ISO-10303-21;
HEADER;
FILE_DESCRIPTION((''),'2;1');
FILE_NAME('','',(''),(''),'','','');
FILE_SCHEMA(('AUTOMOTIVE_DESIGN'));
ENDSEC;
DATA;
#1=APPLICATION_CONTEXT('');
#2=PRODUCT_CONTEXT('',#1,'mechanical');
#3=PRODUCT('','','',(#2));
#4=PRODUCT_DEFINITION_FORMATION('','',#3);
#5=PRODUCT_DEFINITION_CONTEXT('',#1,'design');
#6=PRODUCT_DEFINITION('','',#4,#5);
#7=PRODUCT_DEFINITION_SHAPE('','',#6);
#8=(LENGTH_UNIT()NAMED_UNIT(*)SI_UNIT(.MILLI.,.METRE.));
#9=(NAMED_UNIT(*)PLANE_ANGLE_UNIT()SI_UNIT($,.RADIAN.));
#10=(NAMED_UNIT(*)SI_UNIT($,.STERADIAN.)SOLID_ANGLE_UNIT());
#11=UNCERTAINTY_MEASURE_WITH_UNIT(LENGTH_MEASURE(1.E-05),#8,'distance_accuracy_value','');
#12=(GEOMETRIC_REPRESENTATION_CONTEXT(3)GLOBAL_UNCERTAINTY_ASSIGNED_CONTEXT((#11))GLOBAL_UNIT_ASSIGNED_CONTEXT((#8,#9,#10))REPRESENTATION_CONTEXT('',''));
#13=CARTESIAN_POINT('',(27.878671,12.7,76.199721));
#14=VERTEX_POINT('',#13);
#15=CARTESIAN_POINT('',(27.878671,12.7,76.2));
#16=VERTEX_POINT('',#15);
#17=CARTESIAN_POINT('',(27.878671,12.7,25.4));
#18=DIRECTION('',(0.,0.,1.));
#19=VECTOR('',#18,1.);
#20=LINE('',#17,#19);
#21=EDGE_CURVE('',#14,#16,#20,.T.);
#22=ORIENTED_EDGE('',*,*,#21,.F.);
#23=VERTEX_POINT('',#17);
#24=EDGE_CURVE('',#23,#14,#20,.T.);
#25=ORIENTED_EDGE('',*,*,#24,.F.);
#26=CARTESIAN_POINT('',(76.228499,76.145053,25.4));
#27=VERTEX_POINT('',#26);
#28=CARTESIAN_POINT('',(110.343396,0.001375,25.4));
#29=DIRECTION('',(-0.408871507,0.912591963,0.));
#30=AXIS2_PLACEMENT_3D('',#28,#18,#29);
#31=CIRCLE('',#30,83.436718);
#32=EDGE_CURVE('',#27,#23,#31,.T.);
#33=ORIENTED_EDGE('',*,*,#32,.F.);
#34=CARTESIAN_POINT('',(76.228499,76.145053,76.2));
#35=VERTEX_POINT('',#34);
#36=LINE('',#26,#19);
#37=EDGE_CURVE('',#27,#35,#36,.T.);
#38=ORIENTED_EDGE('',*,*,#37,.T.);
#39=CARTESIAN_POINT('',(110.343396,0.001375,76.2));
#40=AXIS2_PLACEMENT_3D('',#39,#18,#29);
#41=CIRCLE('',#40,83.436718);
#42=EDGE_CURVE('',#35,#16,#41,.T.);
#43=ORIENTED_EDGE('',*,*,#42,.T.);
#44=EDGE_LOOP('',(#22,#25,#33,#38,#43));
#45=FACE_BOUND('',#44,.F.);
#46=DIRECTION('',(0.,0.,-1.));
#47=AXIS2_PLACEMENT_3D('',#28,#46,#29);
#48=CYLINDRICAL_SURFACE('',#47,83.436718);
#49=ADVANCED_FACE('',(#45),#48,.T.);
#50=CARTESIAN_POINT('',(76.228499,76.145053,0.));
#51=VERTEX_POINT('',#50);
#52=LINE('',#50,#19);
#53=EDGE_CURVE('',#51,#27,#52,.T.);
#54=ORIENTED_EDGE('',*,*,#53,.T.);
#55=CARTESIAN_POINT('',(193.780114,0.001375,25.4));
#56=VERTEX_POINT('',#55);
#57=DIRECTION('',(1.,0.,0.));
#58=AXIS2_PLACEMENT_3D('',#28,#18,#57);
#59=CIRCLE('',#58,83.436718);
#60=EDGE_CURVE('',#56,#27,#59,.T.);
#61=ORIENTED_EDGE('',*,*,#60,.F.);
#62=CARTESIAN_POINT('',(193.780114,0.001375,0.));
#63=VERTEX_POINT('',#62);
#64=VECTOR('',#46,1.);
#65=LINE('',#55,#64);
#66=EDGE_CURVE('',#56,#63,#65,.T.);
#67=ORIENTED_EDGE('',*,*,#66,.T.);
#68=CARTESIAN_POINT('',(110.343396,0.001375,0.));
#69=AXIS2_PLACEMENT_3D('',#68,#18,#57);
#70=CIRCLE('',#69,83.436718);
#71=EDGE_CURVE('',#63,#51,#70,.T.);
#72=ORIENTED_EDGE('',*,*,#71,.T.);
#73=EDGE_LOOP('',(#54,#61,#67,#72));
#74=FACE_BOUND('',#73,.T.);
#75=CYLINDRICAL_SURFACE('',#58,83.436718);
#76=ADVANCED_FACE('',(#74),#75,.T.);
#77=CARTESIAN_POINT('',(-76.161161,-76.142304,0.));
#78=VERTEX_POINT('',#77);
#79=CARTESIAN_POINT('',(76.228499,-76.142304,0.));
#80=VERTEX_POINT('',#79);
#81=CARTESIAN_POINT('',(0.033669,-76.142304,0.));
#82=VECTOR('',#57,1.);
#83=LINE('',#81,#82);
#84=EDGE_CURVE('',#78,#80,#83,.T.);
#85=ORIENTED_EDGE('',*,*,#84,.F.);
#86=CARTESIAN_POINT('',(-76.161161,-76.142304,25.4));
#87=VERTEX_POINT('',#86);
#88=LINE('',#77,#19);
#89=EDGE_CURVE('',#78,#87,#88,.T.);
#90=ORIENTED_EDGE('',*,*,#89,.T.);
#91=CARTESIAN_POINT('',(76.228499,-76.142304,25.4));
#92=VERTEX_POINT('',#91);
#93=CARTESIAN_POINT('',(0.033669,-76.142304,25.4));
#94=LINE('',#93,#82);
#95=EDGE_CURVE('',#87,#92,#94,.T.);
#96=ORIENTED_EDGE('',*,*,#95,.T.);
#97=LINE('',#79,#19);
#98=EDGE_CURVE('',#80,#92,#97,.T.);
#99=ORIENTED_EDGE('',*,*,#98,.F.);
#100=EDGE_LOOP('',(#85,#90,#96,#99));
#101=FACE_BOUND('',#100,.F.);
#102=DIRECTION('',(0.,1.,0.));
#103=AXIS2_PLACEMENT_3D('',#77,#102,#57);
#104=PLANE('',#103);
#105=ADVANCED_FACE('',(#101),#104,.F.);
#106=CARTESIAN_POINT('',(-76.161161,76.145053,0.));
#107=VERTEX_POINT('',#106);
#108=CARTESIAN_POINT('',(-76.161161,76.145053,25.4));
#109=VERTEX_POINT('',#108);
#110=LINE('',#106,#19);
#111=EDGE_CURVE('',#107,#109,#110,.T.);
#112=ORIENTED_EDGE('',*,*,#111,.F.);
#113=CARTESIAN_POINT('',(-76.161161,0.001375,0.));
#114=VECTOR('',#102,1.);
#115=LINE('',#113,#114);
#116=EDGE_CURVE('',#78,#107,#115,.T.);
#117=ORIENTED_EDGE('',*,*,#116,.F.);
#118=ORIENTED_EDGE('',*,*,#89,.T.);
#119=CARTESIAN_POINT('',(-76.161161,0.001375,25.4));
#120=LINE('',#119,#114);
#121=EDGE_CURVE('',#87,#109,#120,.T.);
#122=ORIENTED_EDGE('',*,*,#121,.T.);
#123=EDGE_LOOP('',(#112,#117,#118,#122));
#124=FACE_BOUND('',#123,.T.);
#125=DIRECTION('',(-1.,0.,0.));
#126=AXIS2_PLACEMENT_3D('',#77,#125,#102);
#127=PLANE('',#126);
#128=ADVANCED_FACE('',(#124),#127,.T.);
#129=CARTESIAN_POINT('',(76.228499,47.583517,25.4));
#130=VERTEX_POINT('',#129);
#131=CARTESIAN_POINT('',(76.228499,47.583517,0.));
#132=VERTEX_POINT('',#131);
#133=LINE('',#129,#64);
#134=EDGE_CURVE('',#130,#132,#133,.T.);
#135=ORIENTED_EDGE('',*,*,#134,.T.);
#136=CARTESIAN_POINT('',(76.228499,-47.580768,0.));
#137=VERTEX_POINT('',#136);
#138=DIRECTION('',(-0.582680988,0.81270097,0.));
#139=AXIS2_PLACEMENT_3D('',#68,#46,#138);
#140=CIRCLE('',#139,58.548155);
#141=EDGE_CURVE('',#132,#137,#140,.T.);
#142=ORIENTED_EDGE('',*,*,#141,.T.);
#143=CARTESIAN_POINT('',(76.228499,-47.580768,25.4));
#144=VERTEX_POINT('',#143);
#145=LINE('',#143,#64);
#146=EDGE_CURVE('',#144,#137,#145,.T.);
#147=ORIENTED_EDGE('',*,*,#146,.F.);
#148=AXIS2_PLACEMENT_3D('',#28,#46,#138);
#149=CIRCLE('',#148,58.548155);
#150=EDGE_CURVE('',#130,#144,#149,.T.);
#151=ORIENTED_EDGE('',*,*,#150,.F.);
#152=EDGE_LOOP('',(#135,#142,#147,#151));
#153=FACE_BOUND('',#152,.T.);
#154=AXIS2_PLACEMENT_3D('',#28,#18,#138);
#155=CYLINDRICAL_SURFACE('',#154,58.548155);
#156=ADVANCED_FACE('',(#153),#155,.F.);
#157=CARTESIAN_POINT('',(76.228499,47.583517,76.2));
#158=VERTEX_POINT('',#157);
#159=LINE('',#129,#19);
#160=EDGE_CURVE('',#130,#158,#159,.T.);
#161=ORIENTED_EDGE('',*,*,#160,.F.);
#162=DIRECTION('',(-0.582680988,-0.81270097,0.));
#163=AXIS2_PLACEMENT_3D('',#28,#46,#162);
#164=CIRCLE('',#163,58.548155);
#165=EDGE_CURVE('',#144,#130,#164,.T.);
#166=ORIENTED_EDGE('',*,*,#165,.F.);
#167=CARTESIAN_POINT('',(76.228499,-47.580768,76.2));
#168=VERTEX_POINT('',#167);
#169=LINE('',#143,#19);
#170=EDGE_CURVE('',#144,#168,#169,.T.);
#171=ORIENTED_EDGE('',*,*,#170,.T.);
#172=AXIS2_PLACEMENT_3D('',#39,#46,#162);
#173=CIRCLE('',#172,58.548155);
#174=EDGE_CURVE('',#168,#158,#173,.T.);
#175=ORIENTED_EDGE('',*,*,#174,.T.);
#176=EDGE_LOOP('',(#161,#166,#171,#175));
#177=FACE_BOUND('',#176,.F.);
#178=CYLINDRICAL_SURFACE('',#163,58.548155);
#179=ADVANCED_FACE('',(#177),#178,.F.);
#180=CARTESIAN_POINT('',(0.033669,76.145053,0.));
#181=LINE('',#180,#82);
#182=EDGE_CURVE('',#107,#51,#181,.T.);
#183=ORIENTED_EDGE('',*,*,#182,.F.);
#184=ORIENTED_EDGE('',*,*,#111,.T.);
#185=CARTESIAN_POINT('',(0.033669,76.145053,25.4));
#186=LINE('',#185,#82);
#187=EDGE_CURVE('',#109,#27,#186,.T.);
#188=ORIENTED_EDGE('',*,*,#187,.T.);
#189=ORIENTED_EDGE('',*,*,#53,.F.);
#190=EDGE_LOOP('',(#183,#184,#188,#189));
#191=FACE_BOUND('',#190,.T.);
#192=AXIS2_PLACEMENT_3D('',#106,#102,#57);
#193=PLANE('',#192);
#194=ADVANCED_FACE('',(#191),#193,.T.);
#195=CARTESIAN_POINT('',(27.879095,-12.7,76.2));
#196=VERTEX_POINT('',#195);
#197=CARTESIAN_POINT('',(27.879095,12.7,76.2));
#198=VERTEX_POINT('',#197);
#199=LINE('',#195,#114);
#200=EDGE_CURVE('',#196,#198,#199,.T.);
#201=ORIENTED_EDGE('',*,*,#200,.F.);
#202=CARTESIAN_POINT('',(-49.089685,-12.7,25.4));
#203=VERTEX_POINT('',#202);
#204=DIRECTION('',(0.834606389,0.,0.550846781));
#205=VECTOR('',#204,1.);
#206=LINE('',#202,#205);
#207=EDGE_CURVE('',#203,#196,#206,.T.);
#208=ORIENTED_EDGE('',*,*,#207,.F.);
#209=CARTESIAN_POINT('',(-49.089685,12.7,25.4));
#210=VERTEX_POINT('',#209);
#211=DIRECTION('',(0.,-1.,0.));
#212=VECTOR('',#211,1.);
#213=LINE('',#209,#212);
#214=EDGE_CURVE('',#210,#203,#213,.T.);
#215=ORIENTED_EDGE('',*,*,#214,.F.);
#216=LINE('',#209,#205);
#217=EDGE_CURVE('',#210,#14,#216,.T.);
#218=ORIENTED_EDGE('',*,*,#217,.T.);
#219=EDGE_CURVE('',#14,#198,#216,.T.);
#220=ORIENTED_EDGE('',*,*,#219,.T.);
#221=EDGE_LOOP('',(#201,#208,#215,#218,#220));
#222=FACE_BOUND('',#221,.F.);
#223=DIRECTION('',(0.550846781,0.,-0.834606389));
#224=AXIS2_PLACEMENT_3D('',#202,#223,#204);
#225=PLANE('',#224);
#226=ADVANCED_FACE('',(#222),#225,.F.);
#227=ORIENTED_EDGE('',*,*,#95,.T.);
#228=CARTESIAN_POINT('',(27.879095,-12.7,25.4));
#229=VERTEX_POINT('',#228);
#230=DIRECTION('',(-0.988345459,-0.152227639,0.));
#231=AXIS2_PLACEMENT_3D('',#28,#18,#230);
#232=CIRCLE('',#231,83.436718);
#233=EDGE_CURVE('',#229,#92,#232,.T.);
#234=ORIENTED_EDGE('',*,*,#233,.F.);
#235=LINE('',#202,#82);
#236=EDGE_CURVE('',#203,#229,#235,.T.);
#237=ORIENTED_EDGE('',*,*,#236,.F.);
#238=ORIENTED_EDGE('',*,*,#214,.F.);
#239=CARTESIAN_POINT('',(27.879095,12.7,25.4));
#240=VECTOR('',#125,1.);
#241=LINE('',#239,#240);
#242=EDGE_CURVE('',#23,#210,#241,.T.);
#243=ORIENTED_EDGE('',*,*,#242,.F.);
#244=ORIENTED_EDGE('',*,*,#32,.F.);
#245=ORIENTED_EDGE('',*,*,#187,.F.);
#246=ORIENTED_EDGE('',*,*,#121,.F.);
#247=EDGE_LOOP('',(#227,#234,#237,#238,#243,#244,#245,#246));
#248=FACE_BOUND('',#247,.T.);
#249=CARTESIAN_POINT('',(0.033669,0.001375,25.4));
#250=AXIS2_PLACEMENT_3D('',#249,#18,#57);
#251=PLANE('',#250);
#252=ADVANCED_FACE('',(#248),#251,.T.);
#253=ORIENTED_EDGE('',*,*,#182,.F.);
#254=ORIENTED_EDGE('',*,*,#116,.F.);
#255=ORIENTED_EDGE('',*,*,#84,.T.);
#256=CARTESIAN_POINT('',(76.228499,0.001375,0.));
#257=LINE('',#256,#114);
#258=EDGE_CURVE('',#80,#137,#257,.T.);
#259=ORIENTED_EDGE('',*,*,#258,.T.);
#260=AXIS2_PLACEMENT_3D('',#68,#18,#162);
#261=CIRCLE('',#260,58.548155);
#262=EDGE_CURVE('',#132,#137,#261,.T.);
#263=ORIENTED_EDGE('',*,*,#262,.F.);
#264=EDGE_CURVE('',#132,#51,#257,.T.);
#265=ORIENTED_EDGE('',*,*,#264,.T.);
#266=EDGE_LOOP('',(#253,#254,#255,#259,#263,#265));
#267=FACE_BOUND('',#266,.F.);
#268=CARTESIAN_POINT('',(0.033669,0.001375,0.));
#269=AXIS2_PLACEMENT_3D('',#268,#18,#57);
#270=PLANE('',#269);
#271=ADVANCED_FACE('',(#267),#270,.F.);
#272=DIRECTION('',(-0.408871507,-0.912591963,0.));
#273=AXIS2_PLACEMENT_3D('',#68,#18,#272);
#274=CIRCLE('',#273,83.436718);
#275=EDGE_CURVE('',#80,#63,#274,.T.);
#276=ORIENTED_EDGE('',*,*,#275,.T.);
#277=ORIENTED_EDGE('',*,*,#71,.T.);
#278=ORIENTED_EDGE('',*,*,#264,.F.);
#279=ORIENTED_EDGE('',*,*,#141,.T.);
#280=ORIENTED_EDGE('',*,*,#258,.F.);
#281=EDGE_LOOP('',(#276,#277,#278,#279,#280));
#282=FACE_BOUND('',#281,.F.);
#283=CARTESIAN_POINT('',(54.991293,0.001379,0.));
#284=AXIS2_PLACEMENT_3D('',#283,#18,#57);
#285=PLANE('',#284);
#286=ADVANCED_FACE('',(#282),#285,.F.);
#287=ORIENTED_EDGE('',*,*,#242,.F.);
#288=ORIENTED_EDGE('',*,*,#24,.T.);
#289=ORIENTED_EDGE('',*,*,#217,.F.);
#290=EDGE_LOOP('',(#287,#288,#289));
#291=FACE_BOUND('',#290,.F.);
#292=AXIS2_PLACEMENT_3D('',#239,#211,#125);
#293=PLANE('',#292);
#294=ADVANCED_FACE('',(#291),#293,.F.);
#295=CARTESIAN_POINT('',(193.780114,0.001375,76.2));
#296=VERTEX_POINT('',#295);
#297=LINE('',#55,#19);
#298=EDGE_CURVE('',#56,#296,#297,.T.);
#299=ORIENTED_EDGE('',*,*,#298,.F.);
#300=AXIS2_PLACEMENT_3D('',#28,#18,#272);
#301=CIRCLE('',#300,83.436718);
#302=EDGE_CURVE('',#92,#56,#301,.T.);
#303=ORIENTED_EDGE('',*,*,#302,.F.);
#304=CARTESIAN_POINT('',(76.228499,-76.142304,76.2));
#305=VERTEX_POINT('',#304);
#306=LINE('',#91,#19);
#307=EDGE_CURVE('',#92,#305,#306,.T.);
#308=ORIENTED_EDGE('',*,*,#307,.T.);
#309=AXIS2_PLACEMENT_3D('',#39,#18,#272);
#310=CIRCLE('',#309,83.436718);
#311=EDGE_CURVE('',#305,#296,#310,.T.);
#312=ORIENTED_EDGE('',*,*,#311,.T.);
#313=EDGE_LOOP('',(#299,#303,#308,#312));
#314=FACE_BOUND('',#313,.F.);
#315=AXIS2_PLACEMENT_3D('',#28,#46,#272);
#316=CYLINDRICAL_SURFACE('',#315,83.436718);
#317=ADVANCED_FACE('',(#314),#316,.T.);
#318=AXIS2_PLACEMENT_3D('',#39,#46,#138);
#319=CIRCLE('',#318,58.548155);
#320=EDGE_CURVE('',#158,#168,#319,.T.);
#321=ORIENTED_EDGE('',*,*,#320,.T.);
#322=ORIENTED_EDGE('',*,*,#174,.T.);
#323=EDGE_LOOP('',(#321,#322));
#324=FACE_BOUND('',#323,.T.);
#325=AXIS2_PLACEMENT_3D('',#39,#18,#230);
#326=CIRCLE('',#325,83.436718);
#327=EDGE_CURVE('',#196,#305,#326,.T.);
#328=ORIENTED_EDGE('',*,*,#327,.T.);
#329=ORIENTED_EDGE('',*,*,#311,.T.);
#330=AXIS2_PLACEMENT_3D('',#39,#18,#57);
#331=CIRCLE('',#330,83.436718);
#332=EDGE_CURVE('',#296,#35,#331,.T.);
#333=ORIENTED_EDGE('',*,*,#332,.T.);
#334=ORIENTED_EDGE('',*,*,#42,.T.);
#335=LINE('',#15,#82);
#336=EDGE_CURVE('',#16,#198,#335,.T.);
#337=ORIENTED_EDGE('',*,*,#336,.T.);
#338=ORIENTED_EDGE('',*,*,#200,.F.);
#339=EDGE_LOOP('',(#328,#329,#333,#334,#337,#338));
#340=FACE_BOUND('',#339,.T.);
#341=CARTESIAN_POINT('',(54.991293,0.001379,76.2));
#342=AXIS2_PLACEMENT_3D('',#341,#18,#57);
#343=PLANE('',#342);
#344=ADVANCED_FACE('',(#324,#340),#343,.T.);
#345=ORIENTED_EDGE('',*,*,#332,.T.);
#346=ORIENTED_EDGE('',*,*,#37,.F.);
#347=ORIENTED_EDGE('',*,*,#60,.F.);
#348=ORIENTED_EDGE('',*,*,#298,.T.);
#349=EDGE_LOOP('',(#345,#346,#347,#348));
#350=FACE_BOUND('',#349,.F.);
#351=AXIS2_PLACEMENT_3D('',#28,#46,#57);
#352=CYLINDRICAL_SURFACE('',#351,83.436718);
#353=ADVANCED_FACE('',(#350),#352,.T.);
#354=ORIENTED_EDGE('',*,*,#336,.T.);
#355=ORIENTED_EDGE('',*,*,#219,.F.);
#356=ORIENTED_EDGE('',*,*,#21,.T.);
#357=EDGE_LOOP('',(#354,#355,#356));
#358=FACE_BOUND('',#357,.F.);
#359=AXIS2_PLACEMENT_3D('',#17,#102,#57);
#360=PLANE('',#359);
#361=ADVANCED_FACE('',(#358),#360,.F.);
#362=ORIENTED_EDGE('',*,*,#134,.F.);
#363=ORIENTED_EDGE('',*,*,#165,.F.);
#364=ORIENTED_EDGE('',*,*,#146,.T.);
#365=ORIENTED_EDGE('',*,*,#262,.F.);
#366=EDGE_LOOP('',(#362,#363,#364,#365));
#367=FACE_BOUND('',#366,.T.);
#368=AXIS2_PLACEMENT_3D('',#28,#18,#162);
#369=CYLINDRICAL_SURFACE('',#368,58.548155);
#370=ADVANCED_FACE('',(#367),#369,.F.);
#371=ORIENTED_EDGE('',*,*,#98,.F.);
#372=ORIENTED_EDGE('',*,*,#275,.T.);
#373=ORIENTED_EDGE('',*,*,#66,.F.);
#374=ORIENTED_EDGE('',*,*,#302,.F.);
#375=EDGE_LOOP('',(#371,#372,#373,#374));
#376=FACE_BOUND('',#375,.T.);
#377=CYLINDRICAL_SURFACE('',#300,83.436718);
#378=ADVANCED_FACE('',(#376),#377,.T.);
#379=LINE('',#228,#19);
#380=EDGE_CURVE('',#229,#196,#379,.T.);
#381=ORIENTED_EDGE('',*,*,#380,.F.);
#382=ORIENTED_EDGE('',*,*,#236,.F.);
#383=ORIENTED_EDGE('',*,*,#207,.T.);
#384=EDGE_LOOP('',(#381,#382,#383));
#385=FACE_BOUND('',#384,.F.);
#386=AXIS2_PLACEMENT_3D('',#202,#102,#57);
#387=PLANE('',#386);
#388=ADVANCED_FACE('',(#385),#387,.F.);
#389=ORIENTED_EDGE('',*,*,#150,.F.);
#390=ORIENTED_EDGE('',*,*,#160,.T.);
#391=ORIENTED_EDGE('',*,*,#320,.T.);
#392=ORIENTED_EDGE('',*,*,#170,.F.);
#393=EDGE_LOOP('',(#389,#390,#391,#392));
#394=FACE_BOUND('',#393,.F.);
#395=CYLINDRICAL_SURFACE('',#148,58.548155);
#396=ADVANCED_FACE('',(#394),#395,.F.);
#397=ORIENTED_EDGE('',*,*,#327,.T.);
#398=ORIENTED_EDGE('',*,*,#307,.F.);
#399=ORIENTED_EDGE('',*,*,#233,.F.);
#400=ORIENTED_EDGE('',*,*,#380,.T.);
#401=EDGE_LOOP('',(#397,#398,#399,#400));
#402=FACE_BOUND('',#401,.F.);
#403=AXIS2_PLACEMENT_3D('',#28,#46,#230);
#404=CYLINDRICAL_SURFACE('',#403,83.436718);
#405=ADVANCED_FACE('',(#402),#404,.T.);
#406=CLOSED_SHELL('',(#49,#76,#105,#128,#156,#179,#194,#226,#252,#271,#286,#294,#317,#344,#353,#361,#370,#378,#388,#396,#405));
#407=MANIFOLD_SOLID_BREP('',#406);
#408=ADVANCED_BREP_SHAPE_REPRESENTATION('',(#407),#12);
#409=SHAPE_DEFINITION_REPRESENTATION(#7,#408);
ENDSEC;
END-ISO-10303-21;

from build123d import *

# Parameters (mm, degrees)
F0_W     = 152.3896604776
F0_H     = 152.2873565555
F1_DEPTH = 25.4
F3_DEPTH = 50.8
F5_DEPTH = 25.4
F7_DEPTH = 50.8
F8_DEPTH = 25.4
F9_DEPTH = 68.072


with BuildPart() as f1:
    # F0 (on Top) → F1 (new body)
    with BuildSketch(Plane.XY):
        with Locations((0.0336691737, 0.0013746321)):
            Rectangle(F0_W, F0_H)
    extrude(amount=F1_DEPTH)

    # F2 (on face) → F3 (join)
    with BuildSketch(Plane.XY.offset(25.4)):
        Polygon((-49.0896850824, 12.7), (-49.0896850824, 0), (-49.0896850824, -12.7), (27.879094705, -12.7), (27.879094705, 12.7), align=None)
    extrude(amount=F3_DEPTH)

    # F4 (on face) → F5 (cut)
    with BuildSketch(Plane.XZ.offset(12.7)):
        Polygon((-49.0896850824, 25.4), (27.879094705, 76.2), (-49.0896850824, 76.2), align=None)
    extrude(amount=-F5_DEPTH, mode=Mode.SUBTRACT)

    # F6 (on face) → F7 (join)
    with BuildSketch(Plane.XY.offset(25.4)):
        with BuildLine():
            Line((27.879094705, 12.7), (27.879094705, -12.7))
            ThreePointArc((27.879094705, -12.7), (43.9814429182, -50.5730961069), (76.2284994125, -76.1423036456))
            Line((76.2284994125, -76.1423036456), (76.2284994125, -47.5807675257))
            ThreePointArc((76.2284994125, -47.5807675257), (51.7952412993, 0.0013746321), (76.2284994125, 47.5835167899))
            Line((76.2284994125, 47.5835167899), (76.2284994125, 76.1450529099))
            ThreePointArc((76.2284994125, 76.1450529099), (43.9805998825, 50.5747391516), (27.8786713028, 12.7))
            Line((27.8786713028, 12.7), (27.879094705, 12.7))
        make_face()
        with BuildLine():
            Line((76.2284994125, -47.5807675257), (76.2284994125, -76.1423036456))
            ThreePointArc((76.2284994125, -76.1423036456), (155.7044526061, -70.0276226689), (193.7801140773, 0.0013746321))
            ThreePointArc((193.7801140773, 0.0013746321), (155.7044526061, 70.0303719332), (76.2284994125, 76.1450529099))
            Line((76.2284994125, 76.1450529099), (76.2284994125, 47.5835167899))
            ThreePointArc((76.2284994125, 47.5835167899), (137.0877616024, 52.084244528), (168.8915508086, 0.0013746321))
            ThreePointArc((168.8915508086, 0.0013746321), (137.0877616024, -52.0814952637), (76.2284994125, -47.5807675257))
        make_face()
    extrude(amount=F7_DEPTH)

    # F8 (add): a face of the model
    f8_faces = [f1.faces().sort_by_distance(p)[0] for p in [
        (191.7389103695, 0.0013746321, 25.4),
    ]]
    extrude(f8_faces, amount=F8_DEPTH)

    # F9 (cut): a face of the model
    f9_faces = [f1.faces().sort_by_distance(p)[0] for p in [
        (66.2561526249, 0.0013746321, 25.4),
    ]]
    extrude(f9_faces, amount=-F9_DEPTH, mode=Mode.SUBTRACT)


solid = f1.part
